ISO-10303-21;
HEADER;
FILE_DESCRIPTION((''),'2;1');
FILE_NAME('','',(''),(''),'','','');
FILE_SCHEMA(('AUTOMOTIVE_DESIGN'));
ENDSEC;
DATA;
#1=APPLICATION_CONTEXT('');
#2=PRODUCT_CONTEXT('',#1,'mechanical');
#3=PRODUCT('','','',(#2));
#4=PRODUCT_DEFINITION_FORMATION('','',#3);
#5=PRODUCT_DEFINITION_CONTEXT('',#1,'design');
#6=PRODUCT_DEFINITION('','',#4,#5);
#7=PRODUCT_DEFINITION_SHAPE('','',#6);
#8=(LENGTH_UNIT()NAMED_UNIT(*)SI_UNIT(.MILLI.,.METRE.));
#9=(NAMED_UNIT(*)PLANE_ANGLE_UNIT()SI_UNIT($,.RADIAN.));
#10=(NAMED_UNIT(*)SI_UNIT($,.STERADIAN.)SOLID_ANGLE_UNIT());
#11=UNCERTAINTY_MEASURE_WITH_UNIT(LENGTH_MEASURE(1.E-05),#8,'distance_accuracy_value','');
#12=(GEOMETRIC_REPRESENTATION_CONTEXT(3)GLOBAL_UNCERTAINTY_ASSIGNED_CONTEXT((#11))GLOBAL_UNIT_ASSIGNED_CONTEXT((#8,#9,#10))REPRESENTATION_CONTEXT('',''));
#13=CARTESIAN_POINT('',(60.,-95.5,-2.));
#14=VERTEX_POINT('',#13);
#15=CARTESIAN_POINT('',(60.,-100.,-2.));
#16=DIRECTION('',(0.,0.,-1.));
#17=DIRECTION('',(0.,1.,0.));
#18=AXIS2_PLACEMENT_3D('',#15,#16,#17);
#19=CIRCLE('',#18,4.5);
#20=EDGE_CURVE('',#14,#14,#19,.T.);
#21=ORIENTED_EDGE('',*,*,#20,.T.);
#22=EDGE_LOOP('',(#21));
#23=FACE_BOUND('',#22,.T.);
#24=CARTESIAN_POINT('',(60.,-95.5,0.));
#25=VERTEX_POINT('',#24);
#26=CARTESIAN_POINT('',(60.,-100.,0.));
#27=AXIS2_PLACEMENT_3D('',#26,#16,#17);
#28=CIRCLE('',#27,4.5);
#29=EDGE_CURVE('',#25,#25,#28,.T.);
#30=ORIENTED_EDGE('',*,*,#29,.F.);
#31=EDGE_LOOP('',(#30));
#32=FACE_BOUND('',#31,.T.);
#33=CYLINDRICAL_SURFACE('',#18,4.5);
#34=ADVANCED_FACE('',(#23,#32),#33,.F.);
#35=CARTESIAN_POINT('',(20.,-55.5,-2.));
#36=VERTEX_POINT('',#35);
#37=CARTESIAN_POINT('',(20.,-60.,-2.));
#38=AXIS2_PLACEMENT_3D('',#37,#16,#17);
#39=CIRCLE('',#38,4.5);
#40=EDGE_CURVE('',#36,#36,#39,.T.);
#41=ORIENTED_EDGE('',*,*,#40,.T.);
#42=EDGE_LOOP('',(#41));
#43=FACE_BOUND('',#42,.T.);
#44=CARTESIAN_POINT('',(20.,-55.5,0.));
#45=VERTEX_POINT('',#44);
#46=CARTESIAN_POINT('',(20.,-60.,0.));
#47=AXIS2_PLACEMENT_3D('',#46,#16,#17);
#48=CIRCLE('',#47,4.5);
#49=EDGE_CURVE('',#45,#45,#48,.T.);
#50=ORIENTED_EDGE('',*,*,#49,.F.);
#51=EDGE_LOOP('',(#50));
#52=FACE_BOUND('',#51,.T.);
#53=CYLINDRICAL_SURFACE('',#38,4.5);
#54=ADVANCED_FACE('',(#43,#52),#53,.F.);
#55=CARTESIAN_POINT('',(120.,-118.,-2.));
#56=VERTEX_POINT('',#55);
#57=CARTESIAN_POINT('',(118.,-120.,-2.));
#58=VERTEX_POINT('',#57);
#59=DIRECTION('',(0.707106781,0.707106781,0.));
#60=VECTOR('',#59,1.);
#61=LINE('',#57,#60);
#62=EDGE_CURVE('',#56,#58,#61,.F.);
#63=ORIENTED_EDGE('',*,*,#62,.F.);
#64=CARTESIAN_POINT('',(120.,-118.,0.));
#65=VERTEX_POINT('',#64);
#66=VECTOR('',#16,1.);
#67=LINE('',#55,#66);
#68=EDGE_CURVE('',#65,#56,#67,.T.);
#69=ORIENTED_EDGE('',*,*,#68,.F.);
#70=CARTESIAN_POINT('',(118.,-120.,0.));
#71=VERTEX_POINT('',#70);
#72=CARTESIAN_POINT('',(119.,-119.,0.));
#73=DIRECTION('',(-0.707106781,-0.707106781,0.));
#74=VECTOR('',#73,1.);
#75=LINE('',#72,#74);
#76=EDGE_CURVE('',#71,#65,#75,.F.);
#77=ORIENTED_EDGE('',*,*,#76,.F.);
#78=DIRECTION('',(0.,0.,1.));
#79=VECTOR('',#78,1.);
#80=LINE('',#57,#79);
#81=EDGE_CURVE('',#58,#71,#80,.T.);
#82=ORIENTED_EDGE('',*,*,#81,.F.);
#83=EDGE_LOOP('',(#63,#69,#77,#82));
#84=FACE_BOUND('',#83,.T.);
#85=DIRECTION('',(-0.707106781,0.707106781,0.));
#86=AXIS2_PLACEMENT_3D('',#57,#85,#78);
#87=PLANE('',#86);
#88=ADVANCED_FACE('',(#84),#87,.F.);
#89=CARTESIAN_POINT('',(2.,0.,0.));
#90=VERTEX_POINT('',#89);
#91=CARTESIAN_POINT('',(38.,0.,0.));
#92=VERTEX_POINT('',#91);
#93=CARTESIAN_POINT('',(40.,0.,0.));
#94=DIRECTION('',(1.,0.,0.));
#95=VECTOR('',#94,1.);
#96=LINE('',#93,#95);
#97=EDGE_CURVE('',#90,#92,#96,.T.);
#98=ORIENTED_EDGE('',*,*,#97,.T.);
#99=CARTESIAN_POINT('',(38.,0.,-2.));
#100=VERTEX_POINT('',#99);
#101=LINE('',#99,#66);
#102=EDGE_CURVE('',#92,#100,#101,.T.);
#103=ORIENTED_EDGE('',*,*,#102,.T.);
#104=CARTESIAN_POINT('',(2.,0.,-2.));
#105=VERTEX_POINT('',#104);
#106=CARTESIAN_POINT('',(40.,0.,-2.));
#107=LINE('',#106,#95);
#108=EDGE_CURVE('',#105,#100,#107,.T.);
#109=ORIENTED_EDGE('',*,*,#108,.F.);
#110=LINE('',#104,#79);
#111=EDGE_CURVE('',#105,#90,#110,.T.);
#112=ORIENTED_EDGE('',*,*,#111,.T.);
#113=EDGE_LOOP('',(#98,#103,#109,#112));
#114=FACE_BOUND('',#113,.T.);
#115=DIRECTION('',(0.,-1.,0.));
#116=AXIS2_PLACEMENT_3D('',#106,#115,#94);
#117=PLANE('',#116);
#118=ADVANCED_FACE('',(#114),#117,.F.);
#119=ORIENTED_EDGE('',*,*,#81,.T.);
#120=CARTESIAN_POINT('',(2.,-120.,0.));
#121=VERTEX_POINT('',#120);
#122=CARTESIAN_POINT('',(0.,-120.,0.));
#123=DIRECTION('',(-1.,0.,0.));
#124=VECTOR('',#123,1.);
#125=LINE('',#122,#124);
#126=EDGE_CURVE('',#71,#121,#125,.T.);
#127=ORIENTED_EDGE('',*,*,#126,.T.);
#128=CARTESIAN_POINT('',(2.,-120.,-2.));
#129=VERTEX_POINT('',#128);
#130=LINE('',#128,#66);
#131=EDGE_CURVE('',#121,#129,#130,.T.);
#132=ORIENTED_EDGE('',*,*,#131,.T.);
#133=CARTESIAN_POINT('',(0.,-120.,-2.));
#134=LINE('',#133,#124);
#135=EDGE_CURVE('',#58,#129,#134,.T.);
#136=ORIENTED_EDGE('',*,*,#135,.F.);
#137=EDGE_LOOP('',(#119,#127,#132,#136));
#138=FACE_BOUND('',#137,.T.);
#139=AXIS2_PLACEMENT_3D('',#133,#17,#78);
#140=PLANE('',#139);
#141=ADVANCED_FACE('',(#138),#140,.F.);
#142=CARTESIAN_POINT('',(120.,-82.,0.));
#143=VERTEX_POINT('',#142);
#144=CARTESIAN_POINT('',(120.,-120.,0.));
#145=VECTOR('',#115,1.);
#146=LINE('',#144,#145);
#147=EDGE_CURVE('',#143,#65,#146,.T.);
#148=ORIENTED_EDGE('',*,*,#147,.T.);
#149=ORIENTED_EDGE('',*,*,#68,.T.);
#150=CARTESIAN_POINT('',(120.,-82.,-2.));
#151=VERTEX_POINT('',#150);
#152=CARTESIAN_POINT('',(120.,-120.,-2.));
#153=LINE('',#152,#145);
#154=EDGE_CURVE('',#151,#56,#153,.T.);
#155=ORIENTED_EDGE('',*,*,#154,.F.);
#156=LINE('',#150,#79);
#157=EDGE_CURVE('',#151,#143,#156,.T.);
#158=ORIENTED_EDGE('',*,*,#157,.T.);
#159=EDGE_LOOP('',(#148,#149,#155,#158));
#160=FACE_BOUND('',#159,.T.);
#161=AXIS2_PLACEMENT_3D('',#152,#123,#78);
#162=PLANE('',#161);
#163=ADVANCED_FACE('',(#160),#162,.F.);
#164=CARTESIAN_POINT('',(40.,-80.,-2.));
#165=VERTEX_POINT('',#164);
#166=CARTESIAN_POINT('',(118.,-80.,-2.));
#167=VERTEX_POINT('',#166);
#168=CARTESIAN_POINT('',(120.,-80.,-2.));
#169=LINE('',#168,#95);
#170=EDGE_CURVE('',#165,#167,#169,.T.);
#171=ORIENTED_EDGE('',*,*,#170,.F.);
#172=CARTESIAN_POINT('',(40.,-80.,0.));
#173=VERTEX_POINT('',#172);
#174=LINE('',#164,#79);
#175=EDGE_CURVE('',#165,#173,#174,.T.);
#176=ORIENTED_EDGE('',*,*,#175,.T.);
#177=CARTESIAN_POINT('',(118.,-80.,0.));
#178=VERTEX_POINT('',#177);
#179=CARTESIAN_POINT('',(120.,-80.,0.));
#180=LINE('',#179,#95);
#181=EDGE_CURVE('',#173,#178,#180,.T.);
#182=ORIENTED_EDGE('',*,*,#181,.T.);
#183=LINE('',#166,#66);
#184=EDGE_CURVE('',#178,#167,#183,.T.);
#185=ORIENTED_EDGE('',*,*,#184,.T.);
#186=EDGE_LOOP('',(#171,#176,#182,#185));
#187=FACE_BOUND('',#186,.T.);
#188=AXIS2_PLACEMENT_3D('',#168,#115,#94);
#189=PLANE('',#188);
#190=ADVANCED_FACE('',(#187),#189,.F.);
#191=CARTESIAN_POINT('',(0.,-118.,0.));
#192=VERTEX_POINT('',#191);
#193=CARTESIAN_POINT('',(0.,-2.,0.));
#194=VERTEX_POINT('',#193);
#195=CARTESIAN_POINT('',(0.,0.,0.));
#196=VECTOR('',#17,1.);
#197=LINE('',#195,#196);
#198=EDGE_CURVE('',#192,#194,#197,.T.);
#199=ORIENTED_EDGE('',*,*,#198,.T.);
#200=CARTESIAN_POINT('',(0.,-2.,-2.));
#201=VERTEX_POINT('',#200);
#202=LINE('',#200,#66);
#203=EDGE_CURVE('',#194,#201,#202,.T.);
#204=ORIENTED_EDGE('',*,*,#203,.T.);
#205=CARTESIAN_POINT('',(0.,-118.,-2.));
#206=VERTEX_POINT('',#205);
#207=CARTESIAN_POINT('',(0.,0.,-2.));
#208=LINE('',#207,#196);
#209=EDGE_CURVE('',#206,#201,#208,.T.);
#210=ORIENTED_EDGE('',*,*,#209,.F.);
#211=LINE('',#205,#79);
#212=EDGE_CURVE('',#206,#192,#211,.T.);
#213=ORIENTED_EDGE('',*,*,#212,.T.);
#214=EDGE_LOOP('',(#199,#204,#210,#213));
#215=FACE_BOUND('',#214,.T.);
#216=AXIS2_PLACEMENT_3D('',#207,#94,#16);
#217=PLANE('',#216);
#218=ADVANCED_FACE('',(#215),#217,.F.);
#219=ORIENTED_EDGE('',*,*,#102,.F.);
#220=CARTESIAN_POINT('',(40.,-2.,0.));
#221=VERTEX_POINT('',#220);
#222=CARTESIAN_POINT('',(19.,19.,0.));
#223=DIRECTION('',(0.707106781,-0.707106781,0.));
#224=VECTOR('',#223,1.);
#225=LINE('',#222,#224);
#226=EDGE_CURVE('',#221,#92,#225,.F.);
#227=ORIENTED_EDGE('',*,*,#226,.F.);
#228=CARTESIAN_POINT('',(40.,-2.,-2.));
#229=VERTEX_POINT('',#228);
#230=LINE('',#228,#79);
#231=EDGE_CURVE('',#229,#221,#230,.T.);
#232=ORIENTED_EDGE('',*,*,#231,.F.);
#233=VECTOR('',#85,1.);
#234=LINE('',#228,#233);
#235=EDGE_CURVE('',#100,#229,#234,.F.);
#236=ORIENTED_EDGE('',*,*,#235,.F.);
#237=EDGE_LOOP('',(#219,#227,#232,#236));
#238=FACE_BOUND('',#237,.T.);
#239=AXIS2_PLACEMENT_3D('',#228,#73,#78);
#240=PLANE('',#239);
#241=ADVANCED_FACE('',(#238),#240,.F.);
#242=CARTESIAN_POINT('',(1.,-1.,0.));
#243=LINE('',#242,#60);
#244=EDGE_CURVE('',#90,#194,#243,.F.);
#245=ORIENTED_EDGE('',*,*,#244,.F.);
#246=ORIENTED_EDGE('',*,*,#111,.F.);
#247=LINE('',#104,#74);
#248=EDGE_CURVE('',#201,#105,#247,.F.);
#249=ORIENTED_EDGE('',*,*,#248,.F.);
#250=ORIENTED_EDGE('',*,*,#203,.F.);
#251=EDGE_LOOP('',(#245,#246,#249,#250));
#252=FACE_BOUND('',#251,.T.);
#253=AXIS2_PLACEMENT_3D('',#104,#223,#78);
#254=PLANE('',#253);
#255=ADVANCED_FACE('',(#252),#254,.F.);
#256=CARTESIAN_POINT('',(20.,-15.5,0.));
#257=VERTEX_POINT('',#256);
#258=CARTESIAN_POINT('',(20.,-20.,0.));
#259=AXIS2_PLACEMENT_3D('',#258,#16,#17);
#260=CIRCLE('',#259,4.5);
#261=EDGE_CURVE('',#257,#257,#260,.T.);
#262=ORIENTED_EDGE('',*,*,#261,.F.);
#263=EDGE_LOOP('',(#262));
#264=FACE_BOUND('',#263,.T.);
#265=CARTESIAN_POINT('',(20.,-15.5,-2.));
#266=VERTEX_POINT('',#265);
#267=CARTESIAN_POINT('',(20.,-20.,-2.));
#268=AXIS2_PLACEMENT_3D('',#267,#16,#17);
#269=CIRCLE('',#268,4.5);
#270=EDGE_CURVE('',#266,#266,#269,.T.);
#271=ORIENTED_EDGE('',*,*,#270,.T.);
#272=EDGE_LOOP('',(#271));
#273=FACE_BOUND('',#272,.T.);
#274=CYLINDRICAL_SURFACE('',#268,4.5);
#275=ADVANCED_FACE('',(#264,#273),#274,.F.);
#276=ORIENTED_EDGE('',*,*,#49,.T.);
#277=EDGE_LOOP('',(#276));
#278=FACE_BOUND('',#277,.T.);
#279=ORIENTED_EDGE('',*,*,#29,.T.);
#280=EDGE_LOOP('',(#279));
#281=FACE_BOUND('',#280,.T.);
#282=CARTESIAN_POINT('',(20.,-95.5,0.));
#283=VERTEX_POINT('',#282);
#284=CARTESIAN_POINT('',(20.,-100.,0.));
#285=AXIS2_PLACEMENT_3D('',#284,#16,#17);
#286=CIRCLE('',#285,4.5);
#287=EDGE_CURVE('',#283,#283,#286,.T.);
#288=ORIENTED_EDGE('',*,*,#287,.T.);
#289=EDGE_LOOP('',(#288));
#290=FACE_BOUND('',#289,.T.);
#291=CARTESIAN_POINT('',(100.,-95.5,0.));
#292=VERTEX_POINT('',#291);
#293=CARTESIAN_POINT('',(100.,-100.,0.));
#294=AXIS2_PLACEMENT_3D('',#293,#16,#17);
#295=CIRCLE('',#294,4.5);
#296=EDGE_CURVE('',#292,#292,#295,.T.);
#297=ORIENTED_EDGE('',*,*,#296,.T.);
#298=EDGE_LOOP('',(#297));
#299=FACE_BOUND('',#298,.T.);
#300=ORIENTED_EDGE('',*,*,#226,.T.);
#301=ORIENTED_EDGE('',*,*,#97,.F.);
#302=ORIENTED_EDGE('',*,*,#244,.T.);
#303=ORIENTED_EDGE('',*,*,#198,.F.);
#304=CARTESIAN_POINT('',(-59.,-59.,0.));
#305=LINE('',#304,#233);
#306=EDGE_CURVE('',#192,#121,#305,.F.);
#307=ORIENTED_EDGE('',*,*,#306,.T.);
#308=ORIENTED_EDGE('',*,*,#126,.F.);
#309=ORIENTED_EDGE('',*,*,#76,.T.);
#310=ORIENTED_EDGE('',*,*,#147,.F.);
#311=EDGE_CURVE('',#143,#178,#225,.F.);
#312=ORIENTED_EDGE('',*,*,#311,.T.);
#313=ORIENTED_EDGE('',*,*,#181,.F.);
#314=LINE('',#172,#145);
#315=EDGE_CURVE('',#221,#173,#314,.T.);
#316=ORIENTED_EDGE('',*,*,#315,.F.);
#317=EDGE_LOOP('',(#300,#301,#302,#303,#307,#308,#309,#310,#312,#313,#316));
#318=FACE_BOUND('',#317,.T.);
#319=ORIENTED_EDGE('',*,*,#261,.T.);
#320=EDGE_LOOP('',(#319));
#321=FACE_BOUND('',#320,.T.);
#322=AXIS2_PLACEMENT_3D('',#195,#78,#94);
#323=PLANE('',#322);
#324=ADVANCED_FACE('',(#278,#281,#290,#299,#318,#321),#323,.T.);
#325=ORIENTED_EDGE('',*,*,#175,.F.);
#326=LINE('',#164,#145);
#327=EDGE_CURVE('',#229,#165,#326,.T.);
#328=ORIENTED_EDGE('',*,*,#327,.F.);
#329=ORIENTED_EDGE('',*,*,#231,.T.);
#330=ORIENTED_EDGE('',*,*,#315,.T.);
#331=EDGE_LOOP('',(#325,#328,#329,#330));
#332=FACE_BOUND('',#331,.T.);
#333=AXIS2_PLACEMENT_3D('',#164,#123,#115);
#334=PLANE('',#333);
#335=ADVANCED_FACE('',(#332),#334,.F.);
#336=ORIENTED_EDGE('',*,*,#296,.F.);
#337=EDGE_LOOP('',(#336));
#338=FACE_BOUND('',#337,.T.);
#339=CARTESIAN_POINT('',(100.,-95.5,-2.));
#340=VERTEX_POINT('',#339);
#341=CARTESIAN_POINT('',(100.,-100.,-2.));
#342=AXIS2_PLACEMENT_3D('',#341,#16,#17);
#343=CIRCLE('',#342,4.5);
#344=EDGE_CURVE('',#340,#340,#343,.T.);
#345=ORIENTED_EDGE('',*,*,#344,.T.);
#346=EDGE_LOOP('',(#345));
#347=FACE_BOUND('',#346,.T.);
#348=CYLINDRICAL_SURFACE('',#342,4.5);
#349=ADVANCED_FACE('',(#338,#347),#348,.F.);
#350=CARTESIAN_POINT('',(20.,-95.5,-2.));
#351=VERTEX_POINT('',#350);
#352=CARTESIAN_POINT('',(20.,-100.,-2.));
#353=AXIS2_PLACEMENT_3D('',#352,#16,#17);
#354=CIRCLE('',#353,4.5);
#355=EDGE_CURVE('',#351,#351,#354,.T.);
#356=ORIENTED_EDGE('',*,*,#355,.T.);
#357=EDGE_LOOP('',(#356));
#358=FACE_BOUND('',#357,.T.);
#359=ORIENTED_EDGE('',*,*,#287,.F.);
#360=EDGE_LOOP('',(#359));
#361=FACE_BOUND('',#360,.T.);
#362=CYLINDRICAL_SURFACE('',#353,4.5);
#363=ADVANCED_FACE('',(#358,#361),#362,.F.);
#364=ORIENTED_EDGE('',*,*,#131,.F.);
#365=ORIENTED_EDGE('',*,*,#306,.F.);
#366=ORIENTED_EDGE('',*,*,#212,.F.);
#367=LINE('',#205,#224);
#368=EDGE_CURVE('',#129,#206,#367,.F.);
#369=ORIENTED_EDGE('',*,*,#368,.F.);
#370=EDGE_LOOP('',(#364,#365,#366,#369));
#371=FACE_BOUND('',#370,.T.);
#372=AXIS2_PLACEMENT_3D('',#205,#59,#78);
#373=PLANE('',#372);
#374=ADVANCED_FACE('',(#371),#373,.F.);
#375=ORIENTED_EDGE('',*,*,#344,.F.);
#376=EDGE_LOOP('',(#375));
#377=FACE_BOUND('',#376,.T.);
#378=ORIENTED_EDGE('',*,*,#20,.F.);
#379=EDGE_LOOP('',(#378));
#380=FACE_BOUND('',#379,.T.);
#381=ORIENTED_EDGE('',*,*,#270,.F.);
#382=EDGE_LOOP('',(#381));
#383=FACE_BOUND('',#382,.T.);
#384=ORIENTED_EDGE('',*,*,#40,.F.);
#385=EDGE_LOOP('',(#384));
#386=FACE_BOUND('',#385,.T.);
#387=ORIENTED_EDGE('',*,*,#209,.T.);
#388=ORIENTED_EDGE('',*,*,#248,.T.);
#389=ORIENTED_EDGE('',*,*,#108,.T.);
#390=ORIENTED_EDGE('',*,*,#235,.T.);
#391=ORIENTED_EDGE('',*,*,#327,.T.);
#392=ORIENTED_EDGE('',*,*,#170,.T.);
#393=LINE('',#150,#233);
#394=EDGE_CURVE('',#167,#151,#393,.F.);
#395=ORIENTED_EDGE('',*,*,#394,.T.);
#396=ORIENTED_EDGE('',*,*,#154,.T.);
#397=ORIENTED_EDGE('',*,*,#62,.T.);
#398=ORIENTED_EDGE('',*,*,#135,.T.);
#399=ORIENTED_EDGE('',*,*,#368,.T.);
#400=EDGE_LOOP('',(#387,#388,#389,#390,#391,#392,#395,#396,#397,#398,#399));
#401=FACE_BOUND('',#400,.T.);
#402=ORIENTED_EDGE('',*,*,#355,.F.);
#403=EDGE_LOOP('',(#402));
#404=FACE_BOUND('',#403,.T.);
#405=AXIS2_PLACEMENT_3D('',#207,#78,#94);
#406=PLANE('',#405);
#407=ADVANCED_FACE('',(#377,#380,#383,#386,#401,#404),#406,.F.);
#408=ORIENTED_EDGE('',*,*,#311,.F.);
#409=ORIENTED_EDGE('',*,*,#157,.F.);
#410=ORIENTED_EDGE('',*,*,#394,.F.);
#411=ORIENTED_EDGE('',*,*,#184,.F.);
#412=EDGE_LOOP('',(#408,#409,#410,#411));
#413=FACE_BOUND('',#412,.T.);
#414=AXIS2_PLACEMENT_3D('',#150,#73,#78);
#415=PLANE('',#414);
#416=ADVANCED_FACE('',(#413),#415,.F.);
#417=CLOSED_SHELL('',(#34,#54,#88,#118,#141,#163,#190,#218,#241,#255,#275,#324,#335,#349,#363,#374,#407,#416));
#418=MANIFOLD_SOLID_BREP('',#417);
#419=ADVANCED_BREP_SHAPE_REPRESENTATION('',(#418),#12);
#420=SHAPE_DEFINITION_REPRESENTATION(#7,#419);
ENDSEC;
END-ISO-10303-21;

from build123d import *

# Parameters (mm, degrees)
EXTRUDE_1_DEPTH   = 2
HOLE_WIZARD_M81_D = 9
CHAMFER_1_SIZE    = 2


with BuildPart() as part:
    # Эскиз1 → Бобышка-Вытянуть1 (new body)
    with BuildSketch(Plane(origin=(0, 0, 0), x_dir=(1, 0, 0), z_dir=(0, 0, -1))):
        Polygon((0, 0), (0, 120), (120, 120), (120, 80), (40, 80), (40, 0), align=None)
    extrude(amount=EXTRUDE_1_DEPTH)

    # Отверстие с зазором M81 (through all)
    with Locations(Plane(origin=(0, 0, -2), x_dir=(1, 0, 0), z_dir=(0, 0, -1))):
        with Locations((60, 100), (20, 100), (20, 60), (20, 20), (100, 100)):
            Hole(HOLE_WIZARD_M81_D / 2)

    # Фаска1
    chamfer_1_edges = [part.edges().sort_by_distance(p)[0] for p in [
        (0, 0, -1),
        (0, -120, -1),
        (120, -120, -1),
        (120, -80, -1),
        (40, 0, -1),
    ]]
    chamfer(chamfer_1_edges, length=CHAMFER_1_SIZE)


solid = part.part
